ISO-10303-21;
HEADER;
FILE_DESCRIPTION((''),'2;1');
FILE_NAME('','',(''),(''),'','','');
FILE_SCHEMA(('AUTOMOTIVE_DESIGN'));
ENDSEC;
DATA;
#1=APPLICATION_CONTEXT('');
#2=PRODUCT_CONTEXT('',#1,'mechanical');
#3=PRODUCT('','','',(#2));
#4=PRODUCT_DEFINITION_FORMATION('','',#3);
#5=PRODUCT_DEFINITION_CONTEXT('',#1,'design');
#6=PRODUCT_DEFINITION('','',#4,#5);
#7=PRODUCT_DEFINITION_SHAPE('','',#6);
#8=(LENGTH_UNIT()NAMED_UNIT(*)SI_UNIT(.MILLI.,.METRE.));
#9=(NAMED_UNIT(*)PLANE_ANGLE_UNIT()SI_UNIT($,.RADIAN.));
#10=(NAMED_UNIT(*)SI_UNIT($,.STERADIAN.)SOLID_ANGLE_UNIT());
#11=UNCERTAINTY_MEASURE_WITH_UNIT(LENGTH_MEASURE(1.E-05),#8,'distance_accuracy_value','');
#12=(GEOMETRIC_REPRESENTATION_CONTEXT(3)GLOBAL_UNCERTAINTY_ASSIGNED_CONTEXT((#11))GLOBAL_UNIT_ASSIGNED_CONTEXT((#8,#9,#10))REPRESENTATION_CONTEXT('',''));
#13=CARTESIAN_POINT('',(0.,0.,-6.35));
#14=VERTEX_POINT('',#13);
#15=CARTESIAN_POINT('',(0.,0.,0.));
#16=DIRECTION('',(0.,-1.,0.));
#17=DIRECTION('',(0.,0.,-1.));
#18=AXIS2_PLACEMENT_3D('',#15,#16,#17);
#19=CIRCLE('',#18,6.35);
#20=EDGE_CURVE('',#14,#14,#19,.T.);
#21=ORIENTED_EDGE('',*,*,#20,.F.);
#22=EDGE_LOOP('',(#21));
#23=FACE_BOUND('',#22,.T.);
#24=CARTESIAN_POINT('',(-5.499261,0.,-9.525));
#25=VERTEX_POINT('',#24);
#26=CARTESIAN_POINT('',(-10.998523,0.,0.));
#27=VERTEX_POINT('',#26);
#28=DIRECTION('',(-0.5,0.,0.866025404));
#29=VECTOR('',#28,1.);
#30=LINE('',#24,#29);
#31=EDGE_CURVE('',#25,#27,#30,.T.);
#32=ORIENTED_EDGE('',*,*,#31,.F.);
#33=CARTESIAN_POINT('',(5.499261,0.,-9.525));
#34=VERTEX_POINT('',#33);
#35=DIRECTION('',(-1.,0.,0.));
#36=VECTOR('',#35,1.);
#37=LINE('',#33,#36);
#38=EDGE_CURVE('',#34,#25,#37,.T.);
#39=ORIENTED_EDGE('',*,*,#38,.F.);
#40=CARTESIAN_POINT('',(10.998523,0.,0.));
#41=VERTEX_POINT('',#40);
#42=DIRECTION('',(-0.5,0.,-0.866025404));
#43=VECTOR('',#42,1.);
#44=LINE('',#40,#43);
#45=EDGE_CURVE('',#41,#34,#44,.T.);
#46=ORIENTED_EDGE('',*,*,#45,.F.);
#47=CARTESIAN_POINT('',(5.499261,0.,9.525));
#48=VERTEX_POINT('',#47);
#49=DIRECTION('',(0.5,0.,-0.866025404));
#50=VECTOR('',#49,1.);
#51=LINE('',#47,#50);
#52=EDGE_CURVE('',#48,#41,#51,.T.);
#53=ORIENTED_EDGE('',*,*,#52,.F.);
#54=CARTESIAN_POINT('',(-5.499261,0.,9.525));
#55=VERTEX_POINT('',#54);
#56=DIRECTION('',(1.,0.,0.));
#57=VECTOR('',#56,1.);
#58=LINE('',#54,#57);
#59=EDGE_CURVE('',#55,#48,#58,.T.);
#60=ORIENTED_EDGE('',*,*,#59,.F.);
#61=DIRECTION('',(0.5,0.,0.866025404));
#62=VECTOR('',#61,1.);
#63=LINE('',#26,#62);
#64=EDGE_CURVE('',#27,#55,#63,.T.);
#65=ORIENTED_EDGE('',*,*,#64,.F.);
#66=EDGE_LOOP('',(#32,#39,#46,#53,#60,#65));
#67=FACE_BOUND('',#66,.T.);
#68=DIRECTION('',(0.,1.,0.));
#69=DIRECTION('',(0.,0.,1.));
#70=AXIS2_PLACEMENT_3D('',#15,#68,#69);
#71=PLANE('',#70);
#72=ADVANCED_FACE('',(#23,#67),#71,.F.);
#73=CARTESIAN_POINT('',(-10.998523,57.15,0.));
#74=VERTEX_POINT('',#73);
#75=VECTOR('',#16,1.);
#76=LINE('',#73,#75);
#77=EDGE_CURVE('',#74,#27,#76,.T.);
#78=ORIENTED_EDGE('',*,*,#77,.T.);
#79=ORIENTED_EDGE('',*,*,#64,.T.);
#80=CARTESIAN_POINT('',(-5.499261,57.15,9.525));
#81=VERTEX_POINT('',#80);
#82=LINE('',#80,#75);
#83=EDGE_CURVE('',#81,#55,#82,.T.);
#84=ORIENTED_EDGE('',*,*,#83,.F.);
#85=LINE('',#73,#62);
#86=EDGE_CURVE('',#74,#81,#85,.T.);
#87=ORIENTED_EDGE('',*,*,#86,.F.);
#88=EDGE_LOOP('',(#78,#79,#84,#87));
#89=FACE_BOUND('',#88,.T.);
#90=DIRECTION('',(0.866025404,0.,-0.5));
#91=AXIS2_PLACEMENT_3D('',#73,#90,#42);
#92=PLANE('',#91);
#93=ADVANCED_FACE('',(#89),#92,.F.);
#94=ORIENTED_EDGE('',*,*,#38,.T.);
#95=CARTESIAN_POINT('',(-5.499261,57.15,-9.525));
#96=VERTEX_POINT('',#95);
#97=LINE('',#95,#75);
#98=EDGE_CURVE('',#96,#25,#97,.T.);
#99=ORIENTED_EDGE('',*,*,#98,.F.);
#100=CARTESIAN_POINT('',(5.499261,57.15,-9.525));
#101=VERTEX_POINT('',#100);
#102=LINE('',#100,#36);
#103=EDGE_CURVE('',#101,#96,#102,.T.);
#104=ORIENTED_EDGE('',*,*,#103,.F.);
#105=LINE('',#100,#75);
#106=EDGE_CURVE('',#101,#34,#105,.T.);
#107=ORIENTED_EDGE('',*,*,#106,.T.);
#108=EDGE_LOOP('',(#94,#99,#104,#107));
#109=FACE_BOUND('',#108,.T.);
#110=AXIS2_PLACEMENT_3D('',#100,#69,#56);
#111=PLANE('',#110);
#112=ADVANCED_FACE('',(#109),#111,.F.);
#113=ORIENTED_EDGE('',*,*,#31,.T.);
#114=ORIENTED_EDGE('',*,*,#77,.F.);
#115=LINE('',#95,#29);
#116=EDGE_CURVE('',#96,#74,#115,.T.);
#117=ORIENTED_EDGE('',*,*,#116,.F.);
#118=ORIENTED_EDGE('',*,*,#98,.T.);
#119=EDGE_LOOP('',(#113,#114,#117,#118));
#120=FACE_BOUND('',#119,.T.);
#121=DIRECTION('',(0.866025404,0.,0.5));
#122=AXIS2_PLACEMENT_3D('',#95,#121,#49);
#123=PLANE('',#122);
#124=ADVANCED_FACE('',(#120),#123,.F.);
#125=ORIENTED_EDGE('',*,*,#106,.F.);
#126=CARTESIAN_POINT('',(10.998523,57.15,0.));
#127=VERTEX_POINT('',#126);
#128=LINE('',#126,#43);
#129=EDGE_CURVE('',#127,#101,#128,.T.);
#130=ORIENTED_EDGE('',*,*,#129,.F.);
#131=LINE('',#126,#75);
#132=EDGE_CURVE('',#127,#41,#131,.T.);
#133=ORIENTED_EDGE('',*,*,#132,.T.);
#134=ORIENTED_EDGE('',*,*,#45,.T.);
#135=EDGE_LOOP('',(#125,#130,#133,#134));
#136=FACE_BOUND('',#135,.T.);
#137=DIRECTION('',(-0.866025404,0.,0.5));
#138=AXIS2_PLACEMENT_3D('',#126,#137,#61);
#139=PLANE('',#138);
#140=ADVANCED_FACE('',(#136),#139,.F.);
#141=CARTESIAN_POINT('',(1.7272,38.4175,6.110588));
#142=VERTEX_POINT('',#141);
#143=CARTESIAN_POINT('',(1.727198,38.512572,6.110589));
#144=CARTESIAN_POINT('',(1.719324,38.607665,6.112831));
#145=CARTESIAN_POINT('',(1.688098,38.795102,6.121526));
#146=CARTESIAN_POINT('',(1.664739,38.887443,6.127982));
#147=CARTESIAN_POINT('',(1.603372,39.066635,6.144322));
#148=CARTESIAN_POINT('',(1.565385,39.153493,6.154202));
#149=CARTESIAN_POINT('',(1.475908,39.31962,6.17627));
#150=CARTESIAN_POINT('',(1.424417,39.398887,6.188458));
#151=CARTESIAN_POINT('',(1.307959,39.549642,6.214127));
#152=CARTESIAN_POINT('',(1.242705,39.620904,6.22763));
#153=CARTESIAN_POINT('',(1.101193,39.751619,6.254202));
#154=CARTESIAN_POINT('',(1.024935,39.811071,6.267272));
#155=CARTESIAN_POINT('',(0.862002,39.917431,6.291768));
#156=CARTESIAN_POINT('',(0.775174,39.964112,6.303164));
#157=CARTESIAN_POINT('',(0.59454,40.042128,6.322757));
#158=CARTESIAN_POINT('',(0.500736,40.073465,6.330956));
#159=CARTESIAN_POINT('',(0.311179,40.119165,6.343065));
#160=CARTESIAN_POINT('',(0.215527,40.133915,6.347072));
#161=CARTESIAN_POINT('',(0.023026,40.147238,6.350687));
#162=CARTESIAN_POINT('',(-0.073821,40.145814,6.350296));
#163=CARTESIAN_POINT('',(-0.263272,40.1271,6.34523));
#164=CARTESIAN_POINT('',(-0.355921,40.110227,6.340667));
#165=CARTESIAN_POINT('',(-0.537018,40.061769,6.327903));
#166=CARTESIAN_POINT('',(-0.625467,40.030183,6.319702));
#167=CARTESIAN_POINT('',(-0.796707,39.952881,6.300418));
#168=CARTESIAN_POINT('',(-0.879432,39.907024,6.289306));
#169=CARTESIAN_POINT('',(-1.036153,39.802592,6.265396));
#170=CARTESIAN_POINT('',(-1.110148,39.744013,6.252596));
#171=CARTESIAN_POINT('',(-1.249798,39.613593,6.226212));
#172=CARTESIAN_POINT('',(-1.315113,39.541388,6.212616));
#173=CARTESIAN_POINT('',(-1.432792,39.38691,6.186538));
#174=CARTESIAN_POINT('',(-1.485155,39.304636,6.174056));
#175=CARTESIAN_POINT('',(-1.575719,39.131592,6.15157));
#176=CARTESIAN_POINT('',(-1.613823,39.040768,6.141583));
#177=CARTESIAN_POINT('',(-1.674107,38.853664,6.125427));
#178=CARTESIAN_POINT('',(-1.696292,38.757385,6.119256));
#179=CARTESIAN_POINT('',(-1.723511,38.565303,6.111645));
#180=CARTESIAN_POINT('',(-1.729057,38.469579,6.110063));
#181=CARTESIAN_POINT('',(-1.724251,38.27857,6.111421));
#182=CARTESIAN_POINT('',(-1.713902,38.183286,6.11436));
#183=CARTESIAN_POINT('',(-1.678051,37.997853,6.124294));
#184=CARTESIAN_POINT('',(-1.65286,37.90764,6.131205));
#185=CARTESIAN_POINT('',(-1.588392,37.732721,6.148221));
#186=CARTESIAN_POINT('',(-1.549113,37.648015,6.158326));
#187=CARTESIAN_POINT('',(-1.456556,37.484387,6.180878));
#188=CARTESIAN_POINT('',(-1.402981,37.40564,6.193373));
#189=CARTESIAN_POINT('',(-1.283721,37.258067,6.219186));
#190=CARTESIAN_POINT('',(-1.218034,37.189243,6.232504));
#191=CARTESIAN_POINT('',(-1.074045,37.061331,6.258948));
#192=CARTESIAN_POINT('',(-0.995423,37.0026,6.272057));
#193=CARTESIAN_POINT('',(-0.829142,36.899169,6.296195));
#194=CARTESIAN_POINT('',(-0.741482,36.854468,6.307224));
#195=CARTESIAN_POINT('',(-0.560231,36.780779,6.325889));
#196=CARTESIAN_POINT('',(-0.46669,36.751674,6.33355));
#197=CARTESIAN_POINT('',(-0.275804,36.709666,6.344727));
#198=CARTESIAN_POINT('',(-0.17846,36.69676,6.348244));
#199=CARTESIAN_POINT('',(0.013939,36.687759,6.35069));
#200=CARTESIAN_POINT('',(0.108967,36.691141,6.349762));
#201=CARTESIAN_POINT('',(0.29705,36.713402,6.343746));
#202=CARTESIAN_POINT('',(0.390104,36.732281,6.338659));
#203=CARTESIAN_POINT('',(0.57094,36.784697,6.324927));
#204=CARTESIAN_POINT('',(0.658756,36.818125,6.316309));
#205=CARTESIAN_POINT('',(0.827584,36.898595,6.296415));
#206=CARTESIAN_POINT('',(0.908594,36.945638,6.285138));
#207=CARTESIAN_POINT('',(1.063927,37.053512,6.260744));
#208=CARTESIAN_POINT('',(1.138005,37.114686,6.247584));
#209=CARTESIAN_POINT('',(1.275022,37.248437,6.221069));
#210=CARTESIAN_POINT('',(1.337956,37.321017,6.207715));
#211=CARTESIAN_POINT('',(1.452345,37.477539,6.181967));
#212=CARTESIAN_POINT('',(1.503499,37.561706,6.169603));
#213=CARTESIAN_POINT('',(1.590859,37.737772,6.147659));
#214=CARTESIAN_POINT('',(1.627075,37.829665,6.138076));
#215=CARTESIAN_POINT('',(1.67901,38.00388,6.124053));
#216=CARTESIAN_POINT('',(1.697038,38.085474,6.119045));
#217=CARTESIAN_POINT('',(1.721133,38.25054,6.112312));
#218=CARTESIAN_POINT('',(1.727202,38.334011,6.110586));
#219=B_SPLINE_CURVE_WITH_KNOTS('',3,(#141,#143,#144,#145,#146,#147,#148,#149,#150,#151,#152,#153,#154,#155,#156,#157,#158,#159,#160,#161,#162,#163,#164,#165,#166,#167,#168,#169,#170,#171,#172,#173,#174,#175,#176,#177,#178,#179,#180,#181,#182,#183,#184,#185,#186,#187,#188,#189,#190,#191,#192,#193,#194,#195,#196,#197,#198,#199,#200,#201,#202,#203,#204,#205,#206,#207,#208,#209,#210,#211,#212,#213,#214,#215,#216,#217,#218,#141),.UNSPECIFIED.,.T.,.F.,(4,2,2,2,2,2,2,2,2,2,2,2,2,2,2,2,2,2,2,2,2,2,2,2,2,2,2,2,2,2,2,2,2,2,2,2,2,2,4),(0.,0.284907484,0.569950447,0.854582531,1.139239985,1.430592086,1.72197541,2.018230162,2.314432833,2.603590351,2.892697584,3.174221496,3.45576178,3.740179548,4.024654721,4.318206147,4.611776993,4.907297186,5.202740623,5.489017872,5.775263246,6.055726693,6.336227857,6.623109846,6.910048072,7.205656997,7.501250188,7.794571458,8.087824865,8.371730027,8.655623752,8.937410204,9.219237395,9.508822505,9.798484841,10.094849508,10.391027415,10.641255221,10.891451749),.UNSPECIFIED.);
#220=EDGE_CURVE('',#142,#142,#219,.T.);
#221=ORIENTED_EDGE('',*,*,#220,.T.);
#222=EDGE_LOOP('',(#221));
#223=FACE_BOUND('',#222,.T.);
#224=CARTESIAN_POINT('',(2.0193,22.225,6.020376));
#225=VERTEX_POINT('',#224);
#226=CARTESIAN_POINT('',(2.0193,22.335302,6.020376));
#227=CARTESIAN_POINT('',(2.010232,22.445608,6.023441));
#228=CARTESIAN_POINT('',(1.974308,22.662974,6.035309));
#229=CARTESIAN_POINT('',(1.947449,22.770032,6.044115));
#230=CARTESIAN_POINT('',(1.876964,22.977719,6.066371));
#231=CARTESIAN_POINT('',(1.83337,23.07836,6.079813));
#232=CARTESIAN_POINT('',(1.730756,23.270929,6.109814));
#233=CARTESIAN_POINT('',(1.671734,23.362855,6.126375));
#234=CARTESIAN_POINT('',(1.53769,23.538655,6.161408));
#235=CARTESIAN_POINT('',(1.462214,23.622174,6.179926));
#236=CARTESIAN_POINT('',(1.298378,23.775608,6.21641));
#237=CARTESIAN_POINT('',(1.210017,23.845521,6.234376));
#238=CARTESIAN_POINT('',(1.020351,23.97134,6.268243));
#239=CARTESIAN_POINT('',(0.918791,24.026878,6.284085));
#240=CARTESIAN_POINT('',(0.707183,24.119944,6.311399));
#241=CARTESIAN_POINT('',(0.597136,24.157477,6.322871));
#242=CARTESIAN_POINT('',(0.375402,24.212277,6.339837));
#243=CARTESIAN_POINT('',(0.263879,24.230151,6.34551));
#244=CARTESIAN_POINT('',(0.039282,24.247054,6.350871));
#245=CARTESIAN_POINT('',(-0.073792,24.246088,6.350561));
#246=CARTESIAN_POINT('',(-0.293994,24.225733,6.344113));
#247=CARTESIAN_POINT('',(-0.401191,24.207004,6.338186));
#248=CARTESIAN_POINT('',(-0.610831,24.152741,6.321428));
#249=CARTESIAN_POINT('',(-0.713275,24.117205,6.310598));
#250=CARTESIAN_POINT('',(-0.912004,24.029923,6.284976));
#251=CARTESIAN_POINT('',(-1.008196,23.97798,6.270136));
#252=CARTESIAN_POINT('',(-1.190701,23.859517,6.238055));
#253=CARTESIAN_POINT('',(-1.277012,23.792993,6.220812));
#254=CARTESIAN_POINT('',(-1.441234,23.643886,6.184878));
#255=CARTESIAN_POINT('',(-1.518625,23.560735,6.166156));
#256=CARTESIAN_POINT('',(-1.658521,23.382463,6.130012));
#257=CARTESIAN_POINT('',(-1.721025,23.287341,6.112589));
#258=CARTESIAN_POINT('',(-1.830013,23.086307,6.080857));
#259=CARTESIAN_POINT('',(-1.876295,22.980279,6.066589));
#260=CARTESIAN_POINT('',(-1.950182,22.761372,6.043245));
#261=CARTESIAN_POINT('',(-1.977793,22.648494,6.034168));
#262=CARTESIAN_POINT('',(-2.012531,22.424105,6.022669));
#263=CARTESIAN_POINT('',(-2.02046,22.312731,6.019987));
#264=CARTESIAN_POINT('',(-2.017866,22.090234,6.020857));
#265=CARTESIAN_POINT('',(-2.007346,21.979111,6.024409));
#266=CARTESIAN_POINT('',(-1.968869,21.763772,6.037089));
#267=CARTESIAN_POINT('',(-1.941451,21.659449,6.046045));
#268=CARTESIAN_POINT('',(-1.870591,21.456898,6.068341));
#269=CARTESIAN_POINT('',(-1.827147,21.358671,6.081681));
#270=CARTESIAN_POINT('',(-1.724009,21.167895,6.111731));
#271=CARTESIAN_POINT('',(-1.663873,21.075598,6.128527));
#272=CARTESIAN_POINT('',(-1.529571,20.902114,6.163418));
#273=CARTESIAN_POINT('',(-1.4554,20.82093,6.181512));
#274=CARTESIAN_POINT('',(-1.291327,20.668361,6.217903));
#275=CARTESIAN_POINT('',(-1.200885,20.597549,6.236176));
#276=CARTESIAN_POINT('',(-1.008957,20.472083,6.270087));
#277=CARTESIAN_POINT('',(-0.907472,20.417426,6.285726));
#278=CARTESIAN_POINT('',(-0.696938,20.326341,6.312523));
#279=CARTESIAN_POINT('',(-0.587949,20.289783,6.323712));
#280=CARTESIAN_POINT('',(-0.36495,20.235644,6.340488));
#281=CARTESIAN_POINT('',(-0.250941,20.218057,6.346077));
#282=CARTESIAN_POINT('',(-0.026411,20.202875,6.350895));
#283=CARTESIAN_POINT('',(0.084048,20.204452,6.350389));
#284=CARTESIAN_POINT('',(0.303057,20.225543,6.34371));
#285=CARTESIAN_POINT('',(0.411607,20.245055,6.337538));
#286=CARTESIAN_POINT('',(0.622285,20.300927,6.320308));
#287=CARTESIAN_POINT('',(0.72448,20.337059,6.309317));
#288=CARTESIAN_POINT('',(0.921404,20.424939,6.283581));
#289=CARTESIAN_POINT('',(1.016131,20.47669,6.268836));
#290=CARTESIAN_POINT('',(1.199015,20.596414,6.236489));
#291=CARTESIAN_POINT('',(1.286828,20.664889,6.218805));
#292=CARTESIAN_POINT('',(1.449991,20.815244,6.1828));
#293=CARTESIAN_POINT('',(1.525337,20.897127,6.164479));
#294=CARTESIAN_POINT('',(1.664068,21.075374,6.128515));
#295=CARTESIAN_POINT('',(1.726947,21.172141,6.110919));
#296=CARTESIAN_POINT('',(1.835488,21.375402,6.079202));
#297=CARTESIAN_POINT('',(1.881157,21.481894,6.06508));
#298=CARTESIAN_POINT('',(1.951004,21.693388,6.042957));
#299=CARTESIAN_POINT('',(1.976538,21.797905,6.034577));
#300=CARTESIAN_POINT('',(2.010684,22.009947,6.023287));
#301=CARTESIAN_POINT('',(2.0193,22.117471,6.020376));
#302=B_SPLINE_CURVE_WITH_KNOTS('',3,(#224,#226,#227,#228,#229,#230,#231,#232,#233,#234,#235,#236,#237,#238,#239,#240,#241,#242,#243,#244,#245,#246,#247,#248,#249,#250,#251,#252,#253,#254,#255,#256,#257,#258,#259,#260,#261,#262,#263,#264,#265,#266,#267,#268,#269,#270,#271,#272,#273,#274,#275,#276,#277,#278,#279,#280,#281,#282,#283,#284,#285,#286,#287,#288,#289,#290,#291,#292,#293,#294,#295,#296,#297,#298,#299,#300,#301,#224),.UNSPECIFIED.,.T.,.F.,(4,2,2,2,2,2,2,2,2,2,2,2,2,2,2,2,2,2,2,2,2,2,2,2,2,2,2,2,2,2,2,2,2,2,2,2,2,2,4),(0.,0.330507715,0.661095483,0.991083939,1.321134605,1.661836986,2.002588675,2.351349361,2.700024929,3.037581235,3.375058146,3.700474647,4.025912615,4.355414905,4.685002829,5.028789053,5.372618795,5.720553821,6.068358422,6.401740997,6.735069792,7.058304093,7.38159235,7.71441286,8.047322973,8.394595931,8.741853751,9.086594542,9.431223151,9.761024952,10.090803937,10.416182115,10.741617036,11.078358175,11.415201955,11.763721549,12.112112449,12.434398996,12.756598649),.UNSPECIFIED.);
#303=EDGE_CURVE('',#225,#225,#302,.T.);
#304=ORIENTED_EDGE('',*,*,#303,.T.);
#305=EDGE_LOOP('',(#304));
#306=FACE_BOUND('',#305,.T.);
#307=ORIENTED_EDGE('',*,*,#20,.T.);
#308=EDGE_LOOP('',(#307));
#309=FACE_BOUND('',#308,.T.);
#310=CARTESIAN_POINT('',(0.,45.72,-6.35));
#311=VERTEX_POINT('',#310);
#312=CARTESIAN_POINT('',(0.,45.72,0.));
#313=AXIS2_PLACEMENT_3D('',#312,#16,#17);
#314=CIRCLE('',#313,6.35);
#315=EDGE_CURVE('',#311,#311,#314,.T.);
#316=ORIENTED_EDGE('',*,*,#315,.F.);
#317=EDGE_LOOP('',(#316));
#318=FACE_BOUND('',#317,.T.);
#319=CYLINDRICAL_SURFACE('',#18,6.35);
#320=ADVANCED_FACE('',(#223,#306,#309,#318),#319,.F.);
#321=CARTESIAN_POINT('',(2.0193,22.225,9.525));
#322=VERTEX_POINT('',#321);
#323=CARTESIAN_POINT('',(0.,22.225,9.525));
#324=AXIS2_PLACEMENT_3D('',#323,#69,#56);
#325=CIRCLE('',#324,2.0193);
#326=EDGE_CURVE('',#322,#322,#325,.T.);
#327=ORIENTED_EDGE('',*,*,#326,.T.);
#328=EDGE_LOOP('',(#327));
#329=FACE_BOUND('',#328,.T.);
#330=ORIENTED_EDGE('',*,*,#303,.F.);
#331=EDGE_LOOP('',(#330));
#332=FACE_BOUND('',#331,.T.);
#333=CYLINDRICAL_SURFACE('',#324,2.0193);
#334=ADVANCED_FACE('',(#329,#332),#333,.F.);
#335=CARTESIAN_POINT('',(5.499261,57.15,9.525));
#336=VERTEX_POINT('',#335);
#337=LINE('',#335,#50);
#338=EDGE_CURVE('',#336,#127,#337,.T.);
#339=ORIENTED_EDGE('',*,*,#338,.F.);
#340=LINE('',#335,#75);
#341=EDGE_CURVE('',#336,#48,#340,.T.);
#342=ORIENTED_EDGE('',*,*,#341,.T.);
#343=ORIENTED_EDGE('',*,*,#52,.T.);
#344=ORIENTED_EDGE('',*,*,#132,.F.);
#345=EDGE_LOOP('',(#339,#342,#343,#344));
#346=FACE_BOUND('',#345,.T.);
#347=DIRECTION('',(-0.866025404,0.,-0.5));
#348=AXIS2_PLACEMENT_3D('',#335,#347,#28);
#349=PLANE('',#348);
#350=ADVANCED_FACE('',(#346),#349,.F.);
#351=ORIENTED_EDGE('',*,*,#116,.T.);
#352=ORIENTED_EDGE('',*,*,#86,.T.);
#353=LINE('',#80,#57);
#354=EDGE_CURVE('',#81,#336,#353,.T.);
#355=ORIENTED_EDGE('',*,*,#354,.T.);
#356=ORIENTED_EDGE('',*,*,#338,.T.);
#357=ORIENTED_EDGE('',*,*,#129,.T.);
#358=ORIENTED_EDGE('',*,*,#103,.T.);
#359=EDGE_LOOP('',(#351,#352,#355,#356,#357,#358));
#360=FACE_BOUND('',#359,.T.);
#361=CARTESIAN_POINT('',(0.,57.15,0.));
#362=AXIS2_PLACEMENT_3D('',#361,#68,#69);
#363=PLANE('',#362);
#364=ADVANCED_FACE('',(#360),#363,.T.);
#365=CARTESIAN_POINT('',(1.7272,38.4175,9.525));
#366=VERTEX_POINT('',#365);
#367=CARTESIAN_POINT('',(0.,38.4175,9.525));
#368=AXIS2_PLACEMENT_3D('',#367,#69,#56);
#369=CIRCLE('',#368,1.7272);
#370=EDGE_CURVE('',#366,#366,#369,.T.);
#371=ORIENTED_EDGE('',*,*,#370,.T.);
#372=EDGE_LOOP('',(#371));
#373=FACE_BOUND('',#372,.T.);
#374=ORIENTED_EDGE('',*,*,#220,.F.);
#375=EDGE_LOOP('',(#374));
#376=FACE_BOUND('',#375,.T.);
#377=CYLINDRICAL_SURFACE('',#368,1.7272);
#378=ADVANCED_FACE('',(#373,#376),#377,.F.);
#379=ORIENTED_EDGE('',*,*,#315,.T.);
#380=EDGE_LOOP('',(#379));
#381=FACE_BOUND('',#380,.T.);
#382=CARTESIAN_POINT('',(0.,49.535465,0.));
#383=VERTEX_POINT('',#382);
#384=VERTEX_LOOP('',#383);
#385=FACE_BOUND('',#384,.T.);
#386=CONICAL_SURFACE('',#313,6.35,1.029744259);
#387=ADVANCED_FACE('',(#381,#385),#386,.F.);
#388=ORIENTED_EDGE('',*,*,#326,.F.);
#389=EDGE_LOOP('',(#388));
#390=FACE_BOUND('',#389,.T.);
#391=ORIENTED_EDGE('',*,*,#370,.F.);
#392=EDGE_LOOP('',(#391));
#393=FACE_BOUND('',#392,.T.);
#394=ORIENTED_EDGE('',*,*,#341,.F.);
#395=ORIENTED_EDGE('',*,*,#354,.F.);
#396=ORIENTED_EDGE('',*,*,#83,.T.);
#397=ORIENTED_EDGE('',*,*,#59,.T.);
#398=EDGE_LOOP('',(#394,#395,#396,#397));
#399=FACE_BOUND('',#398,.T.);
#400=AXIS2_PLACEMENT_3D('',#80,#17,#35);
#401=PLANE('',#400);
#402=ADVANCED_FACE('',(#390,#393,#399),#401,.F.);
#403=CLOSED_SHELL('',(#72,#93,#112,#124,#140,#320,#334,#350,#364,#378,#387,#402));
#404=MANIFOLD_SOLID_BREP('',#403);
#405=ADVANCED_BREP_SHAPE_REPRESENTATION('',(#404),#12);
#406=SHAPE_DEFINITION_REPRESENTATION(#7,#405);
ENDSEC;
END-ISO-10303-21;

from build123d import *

# Parameters (mm, degrees)
BOSS_EXTRUDE1_DEPTH              = 57.15
F_1_2_0_5_DIAMETER_HOLE1_D       = 12.7
F_1_2_0_5_DIAMETER_HOLE1_DEPTH   = 45.72
F_1_2_0_5_DIAMETER_HOLE1_TIP     = 3.815464931
F_10_32_TAPPED_HOLE1_REACH       = 63.237
F_10_32_TAPPED_HOLE1_BORE_R      = 2.0193
F_29_0_136_DIAMETER_HOLE1_REACH  = 63.237
F_29_0_136_DIAMETER_HOLE1_BORE_R = 1.7272


with BuildPart() as part:
    # Sketch1 → Boss-Extrude1 (new body)
    with BuildSketch(Plane(origin=(0, 0, 0), x_dir=(1, 0, 0), z_dir=(0, 1, 0))):
        Polygon((5.499261314, -9.525), (10.998522628, 0), (5.499261314, 9.525), (-5.499261314, 9.525), (-10.998522628, 0), (-5.499261314, -9.525), align=None)
    extrude(amount=BOSS_EXTRUDE1_DEPTH)

    # 1/2 (0.5) Diameter Hole1
    with Locations(Plane(origin=(0, 0, 0), x_dir=(-1, 0, 0), z_dir=(0, -1, 0))):
        with Locations((0, 0)):
            Hole(F_1_2_0_5_DIAMETER_HOLE1_D / 2, depth=F_1_2_0_5_DIAMETER_HOLE1_DEPTH)
            with Locations((0, 0, -(F_1_2_0_5_DIAMETER_HOLE1_DEPTH + F_1_2_0_5_DIAMETER_HOLE1_TIP / 2))):  # 118° drill point
                Cone(0, F_1_2_0_5_DIAMETER_HOLE1_D / 2, F_1_2_0_5_DIAMETER_HOLE1_TIP, mode=Mode.SUBTRACT)

    # #10-32 Tapped Hole1 bore → #10-32 Tapped Hole1 (cut, up to next)
    with BuildSketch(Plane.XY.offset(9.525), mode=Mode.PRIVATE) as f_10_32_tapped_hole1_sk1:
        with Locations((0, 22.225)):
            Circle(F_10_32_TAPPED_HOLE1_BORE_R)
    f_10_32_tapped_hole1_tool1 = extrude(f_10_32_tapped_hole1_sk1.sketch, amount=-F_10_32_TAPPED_HOLE1_REACH, mode=Mode.PRIVATE) & part.part
    add(f_10_32_tapped_hole1_tool1.solids().sort_by_distance((0, 22.225, 9.525))[0], mode=Mode.SUBTRACT)

    # #29 (0.136) Diameter Hole1 bore → #29 (0.136) Diameter Hole1 (cut, up to next)
    with BuildSketch(Plane.XY.offset(9.525), mode=Mode.PRIVATE) as f_29_0_136_diameter_hole1_sk1:
        with Locations((0, 38.4175)):
            Circle(F_29_0_136_DIAMETER_HOLE1_BORE_R)
    f_29_0_136_diameter_hole1_tool1 = extrude(f_29_0_136_diameter_hole1_sk1.sketch, amount=-F_29_0_136_DIAMETER_HOLE1_REACH, mode=Mode.PRIVATE) & part.part
    add(f_29_0_136_diameter_hole1_tool1.solids().sort_by_distance((0, 38.4175, 9.525))[0], mode=Mode.SUBTRACT)


solid = part.part
